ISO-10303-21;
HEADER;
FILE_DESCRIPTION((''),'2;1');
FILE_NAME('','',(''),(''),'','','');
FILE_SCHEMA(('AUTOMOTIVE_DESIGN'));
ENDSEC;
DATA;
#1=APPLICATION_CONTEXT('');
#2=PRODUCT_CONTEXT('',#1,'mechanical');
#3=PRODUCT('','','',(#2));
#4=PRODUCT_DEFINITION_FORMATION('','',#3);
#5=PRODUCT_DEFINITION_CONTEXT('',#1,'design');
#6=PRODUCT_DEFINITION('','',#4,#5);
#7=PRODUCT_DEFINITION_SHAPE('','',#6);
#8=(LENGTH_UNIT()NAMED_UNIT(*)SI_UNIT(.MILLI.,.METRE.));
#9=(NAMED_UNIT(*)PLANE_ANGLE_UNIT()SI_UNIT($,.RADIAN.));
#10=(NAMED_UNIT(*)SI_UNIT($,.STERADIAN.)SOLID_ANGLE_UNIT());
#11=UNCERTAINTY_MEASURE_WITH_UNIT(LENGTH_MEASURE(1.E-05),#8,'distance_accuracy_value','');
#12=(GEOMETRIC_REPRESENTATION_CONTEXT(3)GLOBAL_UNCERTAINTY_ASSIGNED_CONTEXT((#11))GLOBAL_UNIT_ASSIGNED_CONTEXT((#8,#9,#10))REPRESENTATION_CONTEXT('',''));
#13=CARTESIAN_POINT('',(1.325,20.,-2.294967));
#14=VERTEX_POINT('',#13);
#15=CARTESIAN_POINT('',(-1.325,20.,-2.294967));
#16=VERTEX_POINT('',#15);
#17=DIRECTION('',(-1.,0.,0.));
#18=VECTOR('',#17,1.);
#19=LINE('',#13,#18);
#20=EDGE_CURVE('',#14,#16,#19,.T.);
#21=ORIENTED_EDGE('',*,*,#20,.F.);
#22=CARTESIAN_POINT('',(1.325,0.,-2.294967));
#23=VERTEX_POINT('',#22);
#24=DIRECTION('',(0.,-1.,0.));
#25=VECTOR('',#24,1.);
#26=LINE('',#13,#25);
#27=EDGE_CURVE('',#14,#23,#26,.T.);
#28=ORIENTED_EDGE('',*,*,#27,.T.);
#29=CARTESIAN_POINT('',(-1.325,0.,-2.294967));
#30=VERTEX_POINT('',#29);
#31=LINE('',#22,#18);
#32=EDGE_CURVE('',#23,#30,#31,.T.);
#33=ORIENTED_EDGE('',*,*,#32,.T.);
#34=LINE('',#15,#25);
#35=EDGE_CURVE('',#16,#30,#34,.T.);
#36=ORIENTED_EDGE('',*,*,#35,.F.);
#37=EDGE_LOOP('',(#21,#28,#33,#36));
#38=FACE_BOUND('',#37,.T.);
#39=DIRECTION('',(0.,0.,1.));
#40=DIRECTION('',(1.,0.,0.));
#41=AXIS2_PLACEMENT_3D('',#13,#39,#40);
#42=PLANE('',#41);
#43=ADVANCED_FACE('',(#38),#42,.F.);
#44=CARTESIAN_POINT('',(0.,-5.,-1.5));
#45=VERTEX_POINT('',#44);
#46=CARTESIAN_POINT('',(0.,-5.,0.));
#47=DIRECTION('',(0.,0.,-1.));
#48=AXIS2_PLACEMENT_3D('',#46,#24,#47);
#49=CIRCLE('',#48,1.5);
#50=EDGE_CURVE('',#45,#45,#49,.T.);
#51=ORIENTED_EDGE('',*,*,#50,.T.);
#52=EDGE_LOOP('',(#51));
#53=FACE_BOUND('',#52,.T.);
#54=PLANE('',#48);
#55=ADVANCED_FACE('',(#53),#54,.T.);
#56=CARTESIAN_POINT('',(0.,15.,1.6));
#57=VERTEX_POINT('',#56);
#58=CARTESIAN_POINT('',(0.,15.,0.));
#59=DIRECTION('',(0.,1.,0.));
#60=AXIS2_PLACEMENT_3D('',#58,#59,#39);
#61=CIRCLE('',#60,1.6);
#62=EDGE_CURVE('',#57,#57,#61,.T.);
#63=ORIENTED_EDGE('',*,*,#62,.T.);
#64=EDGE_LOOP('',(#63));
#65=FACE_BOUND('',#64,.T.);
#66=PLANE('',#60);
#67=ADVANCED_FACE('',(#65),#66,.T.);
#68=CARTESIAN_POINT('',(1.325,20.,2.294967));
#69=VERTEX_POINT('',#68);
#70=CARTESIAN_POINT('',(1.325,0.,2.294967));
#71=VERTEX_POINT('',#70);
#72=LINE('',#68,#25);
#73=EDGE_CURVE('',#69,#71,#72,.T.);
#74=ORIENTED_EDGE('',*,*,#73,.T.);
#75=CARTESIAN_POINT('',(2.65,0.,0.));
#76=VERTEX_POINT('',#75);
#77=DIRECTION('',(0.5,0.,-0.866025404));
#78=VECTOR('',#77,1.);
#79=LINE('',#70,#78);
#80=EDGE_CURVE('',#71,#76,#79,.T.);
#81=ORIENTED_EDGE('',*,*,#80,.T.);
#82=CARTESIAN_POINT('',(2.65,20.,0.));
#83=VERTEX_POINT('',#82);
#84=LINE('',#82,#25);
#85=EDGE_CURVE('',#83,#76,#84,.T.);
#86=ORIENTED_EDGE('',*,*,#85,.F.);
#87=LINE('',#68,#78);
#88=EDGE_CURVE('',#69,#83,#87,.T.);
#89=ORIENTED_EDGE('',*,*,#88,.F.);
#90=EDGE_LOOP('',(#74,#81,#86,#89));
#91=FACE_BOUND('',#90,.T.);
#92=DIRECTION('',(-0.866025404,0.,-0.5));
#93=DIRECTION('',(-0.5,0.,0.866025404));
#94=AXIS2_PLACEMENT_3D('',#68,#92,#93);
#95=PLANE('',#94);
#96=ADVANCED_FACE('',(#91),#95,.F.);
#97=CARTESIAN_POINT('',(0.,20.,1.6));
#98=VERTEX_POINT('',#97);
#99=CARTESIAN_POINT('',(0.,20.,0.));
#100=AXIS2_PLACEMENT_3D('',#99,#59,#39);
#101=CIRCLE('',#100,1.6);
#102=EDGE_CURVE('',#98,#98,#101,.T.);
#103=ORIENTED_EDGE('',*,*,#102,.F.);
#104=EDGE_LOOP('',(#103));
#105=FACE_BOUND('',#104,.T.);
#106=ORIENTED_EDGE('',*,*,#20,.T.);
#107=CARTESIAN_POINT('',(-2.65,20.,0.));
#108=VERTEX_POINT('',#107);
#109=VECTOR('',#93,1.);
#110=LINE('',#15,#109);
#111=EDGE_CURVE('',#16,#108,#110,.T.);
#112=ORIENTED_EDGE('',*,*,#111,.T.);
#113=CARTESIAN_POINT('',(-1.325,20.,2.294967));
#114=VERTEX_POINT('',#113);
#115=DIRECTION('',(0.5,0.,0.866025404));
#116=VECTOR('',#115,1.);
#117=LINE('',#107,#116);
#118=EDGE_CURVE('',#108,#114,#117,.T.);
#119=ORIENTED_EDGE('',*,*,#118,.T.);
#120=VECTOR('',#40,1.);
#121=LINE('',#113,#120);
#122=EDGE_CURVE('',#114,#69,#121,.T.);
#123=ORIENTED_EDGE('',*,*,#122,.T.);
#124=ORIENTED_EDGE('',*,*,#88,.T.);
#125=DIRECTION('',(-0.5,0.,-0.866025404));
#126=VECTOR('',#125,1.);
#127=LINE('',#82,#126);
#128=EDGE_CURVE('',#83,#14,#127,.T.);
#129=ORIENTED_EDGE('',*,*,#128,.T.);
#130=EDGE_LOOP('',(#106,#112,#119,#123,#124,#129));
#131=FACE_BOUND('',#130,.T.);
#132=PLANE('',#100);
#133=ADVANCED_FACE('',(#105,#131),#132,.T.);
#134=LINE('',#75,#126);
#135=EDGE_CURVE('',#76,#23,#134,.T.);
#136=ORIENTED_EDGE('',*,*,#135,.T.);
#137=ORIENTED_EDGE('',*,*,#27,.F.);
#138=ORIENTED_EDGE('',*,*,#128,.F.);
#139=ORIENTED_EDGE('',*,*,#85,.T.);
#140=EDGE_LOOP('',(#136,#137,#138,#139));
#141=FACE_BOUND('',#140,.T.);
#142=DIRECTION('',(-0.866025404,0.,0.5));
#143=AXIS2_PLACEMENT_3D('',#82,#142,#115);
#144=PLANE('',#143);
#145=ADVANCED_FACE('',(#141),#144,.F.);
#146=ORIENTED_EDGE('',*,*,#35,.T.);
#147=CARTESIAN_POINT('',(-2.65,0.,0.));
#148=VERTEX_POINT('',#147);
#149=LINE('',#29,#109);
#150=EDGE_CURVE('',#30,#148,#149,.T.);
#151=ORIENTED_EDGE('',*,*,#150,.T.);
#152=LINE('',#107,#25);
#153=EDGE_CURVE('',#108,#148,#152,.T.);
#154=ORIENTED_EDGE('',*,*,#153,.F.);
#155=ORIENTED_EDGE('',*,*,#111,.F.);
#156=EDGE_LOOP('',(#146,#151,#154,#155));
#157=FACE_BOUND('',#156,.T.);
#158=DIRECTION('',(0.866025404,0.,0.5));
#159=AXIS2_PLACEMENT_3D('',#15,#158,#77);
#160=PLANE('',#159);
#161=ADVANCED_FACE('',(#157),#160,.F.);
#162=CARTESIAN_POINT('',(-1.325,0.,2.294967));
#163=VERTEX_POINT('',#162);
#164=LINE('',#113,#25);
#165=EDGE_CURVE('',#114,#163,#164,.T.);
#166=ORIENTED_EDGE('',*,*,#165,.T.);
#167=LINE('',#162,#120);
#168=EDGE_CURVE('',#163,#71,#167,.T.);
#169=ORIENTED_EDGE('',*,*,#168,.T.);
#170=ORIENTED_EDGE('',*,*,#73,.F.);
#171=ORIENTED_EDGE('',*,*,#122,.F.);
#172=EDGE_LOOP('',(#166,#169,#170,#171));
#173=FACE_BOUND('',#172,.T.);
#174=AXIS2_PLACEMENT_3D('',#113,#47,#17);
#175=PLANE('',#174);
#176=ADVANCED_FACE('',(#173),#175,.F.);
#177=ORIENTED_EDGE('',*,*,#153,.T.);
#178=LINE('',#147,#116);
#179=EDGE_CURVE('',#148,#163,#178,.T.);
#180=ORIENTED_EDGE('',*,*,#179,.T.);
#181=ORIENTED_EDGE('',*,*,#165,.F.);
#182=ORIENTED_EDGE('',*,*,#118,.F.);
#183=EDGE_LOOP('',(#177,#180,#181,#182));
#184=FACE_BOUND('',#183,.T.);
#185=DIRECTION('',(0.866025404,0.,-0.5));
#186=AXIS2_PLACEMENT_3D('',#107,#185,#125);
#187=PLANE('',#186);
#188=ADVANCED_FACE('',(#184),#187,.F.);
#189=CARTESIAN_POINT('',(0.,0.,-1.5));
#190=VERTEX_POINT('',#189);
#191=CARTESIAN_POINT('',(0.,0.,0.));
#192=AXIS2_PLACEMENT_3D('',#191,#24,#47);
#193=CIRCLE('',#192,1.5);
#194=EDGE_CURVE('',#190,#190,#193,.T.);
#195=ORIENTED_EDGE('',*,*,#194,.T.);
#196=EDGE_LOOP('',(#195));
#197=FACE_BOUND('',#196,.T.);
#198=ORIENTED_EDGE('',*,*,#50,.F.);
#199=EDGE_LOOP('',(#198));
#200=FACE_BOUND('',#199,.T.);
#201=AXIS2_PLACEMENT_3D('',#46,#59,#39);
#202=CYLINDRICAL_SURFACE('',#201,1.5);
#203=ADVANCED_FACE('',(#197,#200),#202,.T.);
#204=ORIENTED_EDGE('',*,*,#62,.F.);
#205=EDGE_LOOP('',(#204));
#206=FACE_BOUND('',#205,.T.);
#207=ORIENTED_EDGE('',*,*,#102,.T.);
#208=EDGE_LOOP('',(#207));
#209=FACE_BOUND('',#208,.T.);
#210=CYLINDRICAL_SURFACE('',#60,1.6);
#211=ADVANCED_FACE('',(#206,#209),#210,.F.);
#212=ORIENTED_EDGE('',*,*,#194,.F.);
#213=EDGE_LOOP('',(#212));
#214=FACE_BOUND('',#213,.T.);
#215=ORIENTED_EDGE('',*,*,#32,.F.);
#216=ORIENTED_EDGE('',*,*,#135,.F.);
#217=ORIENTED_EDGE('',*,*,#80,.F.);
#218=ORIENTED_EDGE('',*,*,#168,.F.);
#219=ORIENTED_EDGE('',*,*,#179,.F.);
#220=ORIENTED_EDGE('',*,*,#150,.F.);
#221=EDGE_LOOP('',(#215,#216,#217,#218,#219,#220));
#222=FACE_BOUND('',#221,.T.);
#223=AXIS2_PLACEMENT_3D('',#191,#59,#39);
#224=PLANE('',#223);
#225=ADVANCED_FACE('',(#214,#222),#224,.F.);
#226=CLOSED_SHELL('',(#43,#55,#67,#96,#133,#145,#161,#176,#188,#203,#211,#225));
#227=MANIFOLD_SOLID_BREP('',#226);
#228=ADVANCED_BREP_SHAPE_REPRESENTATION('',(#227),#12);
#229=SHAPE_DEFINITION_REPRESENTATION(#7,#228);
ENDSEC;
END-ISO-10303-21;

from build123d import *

# Parameters (mm, degrees)
BOSS_EXTRUDE1_DEPTH = 20
SKETCH2_R           = 1.6
CUT_EXTRUDE1_DEPTH  = 5
SKETCH3_R           = 1.5
BOSS_EXTRUDE2_DEPTH = 5


with BuildPart() as part:
    # Sketch1 → Boss-Extrude1 (new body)
    with BuildSketch(Plane(origin=(0, 0, 0), x_dir=(1, 0, 0), z_dir=(0, 1, 0))):
        Polygon((2.65, 0), (1.325, 2.29496732), (-1.325, 2.29496732), (-2.65, 0), (-1.325, -2.29496732), (1.325, -2.29496732), align=None)
    extrude(amount=BOSS_EXTRUDE1_DEPTH)

    # Sketch2 → Cut-Extrude1 (cut)
    with BuildSketch(Plane(origin=(0, 20, 0), x_dir=(1, 0, 0), z_dir=(0, 1, 0))):
        with Locations(Location((0, 0, 0), (0, 0, 270))):
            Circle(SKETCH2_R)
    extrude(amount=-CUT_EXTRUDE1_DEPTH, mode=Mode.SUBTRACT)

    # Sketch3 → Boss-Extrude2 (add)
    with BuildSketch(Plane.XZ):
        with Locations(Location((0, 0, 0), (0, 0, 270))):
            Circle(SKETCH3_R)
    extrude(amount=BOSS_EXTRUDE2_DEPTH)


solid = part.part
